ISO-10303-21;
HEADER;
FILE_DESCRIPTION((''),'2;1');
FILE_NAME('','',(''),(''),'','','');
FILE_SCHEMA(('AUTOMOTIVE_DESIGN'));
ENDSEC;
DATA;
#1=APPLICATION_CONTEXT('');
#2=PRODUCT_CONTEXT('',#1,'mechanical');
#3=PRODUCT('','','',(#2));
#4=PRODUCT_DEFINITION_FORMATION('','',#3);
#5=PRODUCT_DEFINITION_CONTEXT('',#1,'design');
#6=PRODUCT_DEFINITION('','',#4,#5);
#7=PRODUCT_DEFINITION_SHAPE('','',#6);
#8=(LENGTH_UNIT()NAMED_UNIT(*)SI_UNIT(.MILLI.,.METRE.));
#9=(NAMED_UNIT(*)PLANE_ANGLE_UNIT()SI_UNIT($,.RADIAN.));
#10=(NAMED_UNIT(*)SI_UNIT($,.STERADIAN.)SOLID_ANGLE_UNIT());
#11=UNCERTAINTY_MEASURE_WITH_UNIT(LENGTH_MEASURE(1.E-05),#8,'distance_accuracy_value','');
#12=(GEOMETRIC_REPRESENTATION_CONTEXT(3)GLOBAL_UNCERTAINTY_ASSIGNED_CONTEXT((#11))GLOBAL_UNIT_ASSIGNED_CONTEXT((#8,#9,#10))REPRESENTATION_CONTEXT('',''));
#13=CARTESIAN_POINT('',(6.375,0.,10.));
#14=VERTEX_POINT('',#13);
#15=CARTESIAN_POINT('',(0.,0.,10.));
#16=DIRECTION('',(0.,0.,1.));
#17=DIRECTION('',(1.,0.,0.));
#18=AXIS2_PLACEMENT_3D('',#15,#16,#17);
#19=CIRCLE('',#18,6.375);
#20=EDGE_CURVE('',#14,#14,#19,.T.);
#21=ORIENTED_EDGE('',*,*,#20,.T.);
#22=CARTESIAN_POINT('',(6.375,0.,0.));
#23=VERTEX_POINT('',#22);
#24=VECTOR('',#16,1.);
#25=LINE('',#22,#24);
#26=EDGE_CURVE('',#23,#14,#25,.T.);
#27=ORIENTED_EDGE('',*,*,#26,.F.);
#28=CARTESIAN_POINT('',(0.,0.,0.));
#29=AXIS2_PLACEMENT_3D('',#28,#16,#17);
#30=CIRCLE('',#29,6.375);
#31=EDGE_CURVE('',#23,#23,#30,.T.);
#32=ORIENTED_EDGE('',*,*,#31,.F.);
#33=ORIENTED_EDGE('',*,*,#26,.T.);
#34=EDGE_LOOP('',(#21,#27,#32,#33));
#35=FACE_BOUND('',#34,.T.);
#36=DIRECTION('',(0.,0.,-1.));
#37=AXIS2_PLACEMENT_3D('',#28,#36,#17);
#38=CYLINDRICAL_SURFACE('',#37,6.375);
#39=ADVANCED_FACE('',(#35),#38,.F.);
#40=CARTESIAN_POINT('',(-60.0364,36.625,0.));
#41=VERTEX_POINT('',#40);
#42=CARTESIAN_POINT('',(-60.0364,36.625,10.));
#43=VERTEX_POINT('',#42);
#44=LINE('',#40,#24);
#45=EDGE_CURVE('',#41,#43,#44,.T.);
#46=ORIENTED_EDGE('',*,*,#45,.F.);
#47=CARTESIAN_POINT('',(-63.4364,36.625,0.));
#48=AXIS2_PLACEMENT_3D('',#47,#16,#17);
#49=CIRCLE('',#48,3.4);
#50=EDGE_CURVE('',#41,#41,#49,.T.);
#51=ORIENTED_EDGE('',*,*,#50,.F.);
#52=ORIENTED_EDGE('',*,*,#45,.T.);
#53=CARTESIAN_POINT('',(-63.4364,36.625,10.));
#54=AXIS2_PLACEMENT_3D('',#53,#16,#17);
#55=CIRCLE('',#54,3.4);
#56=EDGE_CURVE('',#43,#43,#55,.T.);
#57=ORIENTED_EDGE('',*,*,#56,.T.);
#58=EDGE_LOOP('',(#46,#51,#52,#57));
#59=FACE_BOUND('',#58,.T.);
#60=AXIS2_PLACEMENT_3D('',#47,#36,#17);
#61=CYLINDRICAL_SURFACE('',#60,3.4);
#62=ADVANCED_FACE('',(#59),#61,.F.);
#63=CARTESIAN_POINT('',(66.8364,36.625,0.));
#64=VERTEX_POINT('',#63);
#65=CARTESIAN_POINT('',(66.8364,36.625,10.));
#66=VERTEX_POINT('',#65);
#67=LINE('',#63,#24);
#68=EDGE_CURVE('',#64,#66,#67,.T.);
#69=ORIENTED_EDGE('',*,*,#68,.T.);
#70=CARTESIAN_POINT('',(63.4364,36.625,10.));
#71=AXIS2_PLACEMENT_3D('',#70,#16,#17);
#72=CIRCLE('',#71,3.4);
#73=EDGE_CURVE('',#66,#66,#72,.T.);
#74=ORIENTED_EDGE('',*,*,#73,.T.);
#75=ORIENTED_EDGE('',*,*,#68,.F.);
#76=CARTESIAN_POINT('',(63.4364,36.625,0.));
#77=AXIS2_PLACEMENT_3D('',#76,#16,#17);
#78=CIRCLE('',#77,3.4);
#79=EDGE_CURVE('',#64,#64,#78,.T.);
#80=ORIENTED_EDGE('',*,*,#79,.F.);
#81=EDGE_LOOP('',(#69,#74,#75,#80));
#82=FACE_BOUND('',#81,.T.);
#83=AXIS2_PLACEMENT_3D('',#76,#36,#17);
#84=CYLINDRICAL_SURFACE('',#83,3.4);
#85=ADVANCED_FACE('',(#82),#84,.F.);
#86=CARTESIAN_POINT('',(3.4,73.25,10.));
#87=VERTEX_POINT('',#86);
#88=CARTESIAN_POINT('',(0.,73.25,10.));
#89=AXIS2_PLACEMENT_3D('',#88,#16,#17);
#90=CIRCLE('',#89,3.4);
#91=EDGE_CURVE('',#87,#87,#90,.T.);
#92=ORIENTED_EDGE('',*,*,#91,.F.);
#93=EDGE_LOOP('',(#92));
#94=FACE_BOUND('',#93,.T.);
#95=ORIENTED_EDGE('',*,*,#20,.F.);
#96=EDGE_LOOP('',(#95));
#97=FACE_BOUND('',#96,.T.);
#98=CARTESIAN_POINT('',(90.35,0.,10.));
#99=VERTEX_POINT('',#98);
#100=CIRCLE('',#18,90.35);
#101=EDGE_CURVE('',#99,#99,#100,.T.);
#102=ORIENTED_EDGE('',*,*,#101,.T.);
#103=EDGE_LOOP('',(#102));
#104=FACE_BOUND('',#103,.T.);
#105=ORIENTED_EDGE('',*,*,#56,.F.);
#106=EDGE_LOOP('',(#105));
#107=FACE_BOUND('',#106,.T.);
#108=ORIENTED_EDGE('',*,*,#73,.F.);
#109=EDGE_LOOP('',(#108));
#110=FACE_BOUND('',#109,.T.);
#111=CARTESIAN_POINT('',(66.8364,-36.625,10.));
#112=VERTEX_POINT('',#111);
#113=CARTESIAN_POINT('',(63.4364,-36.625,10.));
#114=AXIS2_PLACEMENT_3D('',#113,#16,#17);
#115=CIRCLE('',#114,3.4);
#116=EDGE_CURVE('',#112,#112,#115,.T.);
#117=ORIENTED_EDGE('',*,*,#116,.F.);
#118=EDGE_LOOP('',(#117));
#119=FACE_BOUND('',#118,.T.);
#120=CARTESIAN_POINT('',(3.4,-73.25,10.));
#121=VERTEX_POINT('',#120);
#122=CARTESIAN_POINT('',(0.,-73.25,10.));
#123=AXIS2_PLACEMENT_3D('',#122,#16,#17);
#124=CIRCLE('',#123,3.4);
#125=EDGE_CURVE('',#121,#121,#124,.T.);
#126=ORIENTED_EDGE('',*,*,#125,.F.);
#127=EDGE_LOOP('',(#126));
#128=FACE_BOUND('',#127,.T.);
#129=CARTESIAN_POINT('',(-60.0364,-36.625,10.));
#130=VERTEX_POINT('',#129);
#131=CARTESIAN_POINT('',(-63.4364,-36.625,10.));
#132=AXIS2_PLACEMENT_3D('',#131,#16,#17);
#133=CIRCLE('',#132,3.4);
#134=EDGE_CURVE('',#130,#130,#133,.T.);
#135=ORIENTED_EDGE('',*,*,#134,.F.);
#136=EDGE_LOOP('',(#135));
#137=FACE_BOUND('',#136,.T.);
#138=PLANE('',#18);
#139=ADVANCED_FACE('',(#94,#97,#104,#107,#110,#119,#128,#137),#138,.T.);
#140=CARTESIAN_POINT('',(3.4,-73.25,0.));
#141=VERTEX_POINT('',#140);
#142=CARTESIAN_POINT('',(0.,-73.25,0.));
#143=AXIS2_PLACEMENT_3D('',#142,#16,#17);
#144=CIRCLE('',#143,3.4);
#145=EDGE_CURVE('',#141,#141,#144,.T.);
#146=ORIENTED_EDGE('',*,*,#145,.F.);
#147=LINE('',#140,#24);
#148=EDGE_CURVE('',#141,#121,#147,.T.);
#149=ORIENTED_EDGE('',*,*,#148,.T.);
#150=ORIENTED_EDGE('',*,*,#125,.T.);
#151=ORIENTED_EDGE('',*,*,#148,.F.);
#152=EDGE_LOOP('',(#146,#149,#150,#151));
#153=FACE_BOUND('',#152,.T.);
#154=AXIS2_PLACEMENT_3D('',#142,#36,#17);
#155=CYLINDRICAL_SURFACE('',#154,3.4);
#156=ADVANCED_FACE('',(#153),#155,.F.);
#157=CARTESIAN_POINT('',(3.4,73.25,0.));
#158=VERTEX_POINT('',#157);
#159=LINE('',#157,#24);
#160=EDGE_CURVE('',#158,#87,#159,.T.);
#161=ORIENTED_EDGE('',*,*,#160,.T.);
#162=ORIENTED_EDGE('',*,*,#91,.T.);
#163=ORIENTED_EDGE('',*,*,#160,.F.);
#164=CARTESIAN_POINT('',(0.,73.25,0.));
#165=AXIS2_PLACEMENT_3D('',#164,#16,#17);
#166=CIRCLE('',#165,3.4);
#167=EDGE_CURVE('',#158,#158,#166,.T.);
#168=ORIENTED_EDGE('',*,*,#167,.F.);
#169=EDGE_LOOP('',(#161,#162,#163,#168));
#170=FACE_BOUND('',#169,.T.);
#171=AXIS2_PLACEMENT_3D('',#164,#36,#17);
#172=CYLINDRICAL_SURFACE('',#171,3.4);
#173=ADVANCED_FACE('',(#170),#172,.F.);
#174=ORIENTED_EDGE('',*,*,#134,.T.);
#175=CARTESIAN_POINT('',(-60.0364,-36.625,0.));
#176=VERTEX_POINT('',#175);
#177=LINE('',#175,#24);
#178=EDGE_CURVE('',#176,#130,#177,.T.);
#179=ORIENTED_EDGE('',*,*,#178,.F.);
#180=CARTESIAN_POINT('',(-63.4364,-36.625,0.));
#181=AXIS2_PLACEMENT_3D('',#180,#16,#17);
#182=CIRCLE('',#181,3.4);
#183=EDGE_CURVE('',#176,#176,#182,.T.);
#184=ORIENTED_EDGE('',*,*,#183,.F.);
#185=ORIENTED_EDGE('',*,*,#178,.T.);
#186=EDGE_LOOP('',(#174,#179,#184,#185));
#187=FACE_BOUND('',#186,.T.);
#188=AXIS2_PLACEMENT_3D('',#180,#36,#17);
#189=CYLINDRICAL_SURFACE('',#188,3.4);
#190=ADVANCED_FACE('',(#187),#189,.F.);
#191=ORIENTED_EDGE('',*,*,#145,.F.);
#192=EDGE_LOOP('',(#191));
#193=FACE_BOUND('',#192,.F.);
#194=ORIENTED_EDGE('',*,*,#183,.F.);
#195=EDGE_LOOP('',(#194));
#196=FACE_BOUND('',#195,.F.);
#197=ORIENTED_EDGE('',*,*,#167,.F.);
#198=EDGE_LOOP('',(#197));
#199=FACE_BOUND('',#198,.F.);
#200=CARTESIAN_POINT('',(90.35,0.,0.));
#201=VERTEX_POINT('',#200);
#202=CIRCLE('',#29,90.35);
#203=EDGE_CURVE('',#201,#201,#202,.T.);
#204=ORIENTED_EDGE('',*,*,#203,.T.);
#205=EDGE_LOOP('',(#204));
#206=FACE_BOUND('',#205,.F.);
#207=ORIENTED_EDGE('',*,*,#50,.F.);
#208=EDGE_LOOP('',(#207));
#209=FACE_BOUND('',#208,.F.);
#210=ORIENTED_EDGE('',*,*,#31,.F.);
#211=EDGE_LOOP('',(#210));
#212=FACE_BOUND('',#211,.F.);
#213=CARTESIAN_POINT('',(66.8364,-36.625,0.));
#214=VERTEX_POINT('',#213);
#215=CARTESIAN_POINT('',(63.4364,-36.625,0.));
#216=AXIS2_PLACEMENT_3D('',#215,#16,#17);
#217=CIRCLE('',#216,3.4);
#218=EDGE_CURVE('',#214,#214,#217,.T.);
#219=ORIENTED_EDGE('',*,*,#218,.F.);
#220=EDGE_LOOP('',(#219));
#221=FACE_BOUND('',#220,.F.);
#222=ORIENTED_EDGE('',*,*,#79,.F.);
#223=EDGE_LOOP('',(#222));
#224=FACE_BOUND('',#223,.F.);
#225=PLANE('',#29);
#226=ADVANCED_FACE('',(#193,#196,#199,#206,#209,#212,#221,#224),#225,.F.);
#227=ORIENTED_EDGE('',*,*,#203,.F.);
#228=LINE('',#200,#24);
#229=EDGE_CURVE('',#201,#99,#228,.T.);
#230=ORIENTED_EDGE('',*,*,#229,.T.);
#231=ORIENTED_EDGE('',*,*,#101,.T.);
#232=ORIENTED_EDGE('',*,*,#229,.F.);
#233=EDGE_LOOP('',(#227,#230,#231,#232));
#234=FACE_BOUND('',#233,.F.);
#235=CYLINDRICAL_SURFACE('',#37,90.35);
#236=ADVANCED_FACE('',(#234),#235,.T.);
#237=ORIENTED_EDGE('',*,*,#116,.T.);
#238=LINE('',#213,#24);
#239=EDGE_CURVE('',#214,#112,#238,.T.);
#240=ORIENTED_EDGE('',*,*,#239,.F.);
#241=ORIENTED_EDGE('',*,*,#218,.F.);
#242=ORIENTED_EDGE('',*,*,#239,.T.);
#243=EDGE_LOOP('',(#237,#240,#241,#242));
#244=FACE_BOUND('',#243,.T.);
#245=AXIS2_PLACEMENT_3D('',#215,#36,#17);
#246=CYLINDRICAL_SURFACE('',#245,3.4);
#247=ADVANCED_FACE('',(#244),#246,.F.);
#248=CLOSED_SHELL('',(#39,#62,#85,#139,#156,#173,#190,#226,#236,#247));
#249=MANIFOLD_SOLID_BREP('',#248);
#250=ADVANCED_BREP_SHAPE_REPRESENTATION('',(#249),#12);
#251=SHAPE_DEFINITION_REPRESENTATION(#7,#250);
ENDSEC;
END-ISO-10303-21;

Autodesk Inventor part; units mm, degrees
ref_plane "YZ Plane" through (0, 0, 0) normal (1, 0, 0) x (0, 1, 0)
ref_plane "XZ Plane" through (0, 0, 0) normal (0, 1, 0) x (-1, 0, 0)
ref_plane "XY Plane" through (0, 0, 0) normal (0, 0, 1) x (1, 0, 0)
sketch "Esboço1" plane through (0, 0, 0) normal (0, 0, 1) x (1, 0, 0)
  circle A0 centre (0, 0) radius 6.375
  circle A1 centre (0, 0) radius 90.35
  line L0 (0, 0) -> (0, 73.25) construction
  circle A2 centre (0, 73.25) radius 3.4
  circle A3 centre (-63.4364, 36.625) radius 3.4
  circle A4 centre (-63.4364, -36.625) radius 3.4
  circle A5 centre (0, -73.25) radius 3.4
  circle A6 centre (63.4364, -36.625) radius 3.4
  circle A7 centre (63.4364, 36.625) radius 3.4
  dimension "d0" = 12.75
  dimension "d1" = 180.7
  dimension "d3" = 73.25
  dimension "d4" = 6.8
  dimension "d7" = 360
extrude "Extrusão1" add sketch "Esboço1" along normal blind 10
properties part number "Disco"
